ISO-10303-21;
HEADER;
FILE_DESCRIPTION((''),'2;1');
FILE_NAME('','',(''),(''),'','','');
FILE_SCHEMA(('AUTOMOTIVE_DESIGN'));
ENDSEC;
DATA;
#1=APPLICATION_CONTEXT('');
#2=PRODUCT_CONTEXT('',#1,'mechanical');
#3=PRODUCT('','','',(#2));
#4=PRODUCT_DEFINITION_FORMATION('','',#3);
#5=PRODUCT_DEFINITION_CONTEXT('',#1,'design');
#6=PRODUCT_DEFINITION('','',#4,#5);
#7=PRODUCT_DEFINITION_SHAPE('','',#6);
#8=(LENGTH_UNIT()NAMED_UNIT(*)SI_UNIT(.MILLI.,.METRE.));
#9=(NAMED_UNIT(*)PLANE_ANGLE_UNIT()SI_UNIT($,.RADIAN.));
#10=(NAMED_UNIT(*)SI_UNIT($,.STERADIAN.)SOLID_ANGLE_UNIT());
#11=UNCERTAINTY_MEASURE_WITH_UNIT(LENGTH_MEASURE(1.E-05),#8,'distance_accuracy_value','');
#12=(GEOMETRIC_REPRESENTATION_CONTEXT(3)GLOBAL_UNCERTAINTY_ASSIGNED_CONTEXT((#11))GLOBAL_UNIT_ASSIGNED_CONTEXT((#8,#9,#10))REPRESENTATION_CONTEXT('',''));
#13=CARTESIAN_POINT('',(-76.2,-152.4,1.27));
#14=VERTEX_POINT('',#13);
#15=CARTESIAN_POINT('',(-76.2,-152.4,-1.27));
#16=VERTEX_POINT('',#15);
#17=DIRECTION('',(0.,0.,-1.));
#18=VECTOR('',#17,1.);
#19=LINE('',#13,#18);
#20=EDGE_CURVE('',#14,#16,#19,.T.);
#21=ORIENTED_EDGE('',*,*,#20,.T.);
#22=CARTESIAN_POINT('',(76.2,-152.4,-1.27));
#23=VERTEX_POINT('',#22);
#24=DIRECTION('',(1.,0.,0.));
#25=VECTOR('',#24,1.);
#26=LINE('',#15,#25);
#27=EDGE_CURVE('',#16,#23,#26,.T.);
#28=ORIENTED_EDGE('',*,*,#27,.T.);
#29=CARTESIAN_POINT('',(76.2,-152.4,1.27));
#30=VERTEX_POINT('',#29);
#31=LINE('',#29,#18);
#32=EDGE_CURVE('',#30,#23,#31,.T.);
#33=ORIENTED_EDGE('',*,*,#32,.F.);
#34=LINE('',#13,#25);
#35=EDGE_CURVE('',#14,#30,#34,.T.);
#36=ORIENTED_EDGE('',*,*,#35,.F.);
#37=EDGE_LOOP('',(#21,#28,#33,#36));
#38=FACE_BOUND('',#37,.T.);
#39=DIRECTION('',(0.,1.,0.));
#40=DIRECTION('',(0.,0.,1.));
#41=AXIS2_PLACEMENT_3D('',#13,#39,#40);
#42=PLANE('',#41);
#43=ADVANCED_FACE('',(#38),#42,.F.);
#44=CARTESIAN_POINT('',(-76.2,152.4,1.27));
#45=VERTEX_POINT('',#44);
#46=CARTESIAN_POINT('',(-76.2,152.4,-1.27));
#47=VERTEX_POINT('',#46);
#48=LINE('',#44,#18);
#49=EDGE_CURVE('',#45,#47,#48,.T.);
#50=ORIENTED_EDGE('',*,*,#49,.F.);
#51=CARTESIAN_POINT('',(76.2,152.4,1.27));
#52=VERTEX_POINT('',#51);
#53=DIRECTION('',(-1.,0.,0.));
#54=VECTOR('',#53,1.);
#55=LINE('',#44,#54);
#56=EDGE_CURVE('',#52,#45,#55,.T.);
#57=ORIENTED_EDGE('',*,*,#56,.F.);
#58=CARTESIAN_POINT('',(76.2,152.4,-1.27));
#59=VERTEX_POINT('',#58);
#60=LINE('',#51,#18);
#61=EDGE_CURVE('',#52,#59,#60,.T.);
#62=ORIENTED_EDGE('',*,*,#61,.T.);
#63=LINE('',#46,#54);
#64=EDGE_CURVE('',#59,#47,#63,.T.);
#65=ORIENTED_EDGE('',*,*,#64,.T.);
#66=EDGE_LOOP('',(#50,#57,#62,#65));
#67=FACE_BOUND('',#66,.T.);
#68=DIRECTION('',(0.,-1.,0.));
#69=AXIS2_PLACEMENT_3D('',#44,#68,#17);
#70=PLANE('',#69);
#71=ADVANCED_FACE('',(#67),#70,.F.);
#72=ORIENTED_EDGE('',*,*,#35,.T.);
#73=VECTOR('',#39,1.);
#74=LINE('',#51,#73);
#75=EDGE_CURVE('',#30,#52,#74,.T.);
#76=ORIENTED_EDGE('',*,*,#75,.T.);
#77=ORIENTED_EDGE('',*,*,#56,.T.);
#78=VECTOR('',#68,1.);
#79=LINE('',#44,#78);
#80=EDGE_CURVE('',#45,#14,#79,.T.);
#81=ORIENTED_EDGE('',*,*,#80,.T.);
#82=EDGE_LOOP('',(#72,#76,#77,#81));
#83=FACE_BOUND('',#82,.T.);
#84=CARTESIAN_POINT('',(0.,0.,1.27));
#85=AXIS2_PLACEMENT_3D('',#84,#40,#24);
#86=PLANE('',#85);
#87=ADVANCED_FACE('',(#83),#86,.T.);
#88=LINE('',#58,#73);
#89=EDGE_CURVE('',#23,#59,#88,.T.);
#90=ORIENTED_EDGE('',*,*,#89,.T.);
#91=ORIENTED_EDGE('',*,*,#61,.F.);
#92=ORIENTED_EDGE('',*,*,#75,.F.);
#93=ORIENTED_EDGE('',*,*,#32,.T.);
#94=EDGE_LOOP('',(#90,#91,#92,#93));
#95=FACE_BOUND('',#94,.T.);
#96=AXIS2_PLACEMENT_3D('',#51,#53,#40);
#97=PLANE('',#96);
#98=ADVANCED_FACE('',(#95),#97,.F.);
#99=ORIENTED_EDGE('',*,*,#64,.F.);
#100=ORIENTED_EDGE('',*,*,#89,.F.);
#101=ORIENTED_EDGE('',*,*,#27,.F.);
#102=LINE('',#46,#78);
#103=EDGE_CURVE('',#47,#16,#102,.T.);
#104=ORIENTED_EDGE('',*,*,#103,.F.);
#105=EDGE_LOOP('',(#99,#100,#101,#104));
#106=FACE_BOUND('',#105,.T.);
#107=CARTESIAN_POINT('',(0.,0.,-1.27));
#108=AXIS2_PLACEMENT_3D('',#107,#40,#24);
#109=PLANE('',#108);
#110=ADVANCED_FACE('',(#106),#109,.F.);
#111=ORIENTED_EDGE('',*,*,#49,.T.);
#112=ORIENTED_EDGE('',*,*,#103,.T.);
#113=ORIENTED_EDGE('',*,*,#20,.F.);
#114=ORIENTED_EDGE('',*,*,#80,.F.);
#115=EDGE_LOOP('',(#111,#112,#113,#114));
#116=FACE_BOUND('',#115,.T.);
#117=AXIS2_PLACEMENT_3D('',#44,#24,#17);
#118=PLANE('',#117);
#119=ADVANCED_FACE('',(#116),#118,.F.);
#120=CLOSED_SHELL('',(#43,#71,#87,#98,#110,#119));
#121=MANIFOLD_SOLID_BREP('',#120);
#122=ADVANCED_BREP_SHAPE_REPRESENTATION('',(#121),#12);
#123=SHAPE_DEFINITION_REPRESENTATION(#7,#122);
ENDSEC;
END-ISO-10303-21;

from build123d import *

# Parameters (mm, degrees)
SKETCH1_W           = 152.4
SKETCH1_H           = 304.8
BOSS_EXTRUDE1_DEPTH = 1.27


with BuildPart() as part:
    # Sketch1 → Boss-Extrude1 (new body, symmetric)
    with BuildSketch(Plane.XY):
        Rectangle(SKETCH1_W, SKETCH1_H)
    extrude(amount=BOSS_EXTRUDE1_DEPTH, both=True)


solid = part.part
